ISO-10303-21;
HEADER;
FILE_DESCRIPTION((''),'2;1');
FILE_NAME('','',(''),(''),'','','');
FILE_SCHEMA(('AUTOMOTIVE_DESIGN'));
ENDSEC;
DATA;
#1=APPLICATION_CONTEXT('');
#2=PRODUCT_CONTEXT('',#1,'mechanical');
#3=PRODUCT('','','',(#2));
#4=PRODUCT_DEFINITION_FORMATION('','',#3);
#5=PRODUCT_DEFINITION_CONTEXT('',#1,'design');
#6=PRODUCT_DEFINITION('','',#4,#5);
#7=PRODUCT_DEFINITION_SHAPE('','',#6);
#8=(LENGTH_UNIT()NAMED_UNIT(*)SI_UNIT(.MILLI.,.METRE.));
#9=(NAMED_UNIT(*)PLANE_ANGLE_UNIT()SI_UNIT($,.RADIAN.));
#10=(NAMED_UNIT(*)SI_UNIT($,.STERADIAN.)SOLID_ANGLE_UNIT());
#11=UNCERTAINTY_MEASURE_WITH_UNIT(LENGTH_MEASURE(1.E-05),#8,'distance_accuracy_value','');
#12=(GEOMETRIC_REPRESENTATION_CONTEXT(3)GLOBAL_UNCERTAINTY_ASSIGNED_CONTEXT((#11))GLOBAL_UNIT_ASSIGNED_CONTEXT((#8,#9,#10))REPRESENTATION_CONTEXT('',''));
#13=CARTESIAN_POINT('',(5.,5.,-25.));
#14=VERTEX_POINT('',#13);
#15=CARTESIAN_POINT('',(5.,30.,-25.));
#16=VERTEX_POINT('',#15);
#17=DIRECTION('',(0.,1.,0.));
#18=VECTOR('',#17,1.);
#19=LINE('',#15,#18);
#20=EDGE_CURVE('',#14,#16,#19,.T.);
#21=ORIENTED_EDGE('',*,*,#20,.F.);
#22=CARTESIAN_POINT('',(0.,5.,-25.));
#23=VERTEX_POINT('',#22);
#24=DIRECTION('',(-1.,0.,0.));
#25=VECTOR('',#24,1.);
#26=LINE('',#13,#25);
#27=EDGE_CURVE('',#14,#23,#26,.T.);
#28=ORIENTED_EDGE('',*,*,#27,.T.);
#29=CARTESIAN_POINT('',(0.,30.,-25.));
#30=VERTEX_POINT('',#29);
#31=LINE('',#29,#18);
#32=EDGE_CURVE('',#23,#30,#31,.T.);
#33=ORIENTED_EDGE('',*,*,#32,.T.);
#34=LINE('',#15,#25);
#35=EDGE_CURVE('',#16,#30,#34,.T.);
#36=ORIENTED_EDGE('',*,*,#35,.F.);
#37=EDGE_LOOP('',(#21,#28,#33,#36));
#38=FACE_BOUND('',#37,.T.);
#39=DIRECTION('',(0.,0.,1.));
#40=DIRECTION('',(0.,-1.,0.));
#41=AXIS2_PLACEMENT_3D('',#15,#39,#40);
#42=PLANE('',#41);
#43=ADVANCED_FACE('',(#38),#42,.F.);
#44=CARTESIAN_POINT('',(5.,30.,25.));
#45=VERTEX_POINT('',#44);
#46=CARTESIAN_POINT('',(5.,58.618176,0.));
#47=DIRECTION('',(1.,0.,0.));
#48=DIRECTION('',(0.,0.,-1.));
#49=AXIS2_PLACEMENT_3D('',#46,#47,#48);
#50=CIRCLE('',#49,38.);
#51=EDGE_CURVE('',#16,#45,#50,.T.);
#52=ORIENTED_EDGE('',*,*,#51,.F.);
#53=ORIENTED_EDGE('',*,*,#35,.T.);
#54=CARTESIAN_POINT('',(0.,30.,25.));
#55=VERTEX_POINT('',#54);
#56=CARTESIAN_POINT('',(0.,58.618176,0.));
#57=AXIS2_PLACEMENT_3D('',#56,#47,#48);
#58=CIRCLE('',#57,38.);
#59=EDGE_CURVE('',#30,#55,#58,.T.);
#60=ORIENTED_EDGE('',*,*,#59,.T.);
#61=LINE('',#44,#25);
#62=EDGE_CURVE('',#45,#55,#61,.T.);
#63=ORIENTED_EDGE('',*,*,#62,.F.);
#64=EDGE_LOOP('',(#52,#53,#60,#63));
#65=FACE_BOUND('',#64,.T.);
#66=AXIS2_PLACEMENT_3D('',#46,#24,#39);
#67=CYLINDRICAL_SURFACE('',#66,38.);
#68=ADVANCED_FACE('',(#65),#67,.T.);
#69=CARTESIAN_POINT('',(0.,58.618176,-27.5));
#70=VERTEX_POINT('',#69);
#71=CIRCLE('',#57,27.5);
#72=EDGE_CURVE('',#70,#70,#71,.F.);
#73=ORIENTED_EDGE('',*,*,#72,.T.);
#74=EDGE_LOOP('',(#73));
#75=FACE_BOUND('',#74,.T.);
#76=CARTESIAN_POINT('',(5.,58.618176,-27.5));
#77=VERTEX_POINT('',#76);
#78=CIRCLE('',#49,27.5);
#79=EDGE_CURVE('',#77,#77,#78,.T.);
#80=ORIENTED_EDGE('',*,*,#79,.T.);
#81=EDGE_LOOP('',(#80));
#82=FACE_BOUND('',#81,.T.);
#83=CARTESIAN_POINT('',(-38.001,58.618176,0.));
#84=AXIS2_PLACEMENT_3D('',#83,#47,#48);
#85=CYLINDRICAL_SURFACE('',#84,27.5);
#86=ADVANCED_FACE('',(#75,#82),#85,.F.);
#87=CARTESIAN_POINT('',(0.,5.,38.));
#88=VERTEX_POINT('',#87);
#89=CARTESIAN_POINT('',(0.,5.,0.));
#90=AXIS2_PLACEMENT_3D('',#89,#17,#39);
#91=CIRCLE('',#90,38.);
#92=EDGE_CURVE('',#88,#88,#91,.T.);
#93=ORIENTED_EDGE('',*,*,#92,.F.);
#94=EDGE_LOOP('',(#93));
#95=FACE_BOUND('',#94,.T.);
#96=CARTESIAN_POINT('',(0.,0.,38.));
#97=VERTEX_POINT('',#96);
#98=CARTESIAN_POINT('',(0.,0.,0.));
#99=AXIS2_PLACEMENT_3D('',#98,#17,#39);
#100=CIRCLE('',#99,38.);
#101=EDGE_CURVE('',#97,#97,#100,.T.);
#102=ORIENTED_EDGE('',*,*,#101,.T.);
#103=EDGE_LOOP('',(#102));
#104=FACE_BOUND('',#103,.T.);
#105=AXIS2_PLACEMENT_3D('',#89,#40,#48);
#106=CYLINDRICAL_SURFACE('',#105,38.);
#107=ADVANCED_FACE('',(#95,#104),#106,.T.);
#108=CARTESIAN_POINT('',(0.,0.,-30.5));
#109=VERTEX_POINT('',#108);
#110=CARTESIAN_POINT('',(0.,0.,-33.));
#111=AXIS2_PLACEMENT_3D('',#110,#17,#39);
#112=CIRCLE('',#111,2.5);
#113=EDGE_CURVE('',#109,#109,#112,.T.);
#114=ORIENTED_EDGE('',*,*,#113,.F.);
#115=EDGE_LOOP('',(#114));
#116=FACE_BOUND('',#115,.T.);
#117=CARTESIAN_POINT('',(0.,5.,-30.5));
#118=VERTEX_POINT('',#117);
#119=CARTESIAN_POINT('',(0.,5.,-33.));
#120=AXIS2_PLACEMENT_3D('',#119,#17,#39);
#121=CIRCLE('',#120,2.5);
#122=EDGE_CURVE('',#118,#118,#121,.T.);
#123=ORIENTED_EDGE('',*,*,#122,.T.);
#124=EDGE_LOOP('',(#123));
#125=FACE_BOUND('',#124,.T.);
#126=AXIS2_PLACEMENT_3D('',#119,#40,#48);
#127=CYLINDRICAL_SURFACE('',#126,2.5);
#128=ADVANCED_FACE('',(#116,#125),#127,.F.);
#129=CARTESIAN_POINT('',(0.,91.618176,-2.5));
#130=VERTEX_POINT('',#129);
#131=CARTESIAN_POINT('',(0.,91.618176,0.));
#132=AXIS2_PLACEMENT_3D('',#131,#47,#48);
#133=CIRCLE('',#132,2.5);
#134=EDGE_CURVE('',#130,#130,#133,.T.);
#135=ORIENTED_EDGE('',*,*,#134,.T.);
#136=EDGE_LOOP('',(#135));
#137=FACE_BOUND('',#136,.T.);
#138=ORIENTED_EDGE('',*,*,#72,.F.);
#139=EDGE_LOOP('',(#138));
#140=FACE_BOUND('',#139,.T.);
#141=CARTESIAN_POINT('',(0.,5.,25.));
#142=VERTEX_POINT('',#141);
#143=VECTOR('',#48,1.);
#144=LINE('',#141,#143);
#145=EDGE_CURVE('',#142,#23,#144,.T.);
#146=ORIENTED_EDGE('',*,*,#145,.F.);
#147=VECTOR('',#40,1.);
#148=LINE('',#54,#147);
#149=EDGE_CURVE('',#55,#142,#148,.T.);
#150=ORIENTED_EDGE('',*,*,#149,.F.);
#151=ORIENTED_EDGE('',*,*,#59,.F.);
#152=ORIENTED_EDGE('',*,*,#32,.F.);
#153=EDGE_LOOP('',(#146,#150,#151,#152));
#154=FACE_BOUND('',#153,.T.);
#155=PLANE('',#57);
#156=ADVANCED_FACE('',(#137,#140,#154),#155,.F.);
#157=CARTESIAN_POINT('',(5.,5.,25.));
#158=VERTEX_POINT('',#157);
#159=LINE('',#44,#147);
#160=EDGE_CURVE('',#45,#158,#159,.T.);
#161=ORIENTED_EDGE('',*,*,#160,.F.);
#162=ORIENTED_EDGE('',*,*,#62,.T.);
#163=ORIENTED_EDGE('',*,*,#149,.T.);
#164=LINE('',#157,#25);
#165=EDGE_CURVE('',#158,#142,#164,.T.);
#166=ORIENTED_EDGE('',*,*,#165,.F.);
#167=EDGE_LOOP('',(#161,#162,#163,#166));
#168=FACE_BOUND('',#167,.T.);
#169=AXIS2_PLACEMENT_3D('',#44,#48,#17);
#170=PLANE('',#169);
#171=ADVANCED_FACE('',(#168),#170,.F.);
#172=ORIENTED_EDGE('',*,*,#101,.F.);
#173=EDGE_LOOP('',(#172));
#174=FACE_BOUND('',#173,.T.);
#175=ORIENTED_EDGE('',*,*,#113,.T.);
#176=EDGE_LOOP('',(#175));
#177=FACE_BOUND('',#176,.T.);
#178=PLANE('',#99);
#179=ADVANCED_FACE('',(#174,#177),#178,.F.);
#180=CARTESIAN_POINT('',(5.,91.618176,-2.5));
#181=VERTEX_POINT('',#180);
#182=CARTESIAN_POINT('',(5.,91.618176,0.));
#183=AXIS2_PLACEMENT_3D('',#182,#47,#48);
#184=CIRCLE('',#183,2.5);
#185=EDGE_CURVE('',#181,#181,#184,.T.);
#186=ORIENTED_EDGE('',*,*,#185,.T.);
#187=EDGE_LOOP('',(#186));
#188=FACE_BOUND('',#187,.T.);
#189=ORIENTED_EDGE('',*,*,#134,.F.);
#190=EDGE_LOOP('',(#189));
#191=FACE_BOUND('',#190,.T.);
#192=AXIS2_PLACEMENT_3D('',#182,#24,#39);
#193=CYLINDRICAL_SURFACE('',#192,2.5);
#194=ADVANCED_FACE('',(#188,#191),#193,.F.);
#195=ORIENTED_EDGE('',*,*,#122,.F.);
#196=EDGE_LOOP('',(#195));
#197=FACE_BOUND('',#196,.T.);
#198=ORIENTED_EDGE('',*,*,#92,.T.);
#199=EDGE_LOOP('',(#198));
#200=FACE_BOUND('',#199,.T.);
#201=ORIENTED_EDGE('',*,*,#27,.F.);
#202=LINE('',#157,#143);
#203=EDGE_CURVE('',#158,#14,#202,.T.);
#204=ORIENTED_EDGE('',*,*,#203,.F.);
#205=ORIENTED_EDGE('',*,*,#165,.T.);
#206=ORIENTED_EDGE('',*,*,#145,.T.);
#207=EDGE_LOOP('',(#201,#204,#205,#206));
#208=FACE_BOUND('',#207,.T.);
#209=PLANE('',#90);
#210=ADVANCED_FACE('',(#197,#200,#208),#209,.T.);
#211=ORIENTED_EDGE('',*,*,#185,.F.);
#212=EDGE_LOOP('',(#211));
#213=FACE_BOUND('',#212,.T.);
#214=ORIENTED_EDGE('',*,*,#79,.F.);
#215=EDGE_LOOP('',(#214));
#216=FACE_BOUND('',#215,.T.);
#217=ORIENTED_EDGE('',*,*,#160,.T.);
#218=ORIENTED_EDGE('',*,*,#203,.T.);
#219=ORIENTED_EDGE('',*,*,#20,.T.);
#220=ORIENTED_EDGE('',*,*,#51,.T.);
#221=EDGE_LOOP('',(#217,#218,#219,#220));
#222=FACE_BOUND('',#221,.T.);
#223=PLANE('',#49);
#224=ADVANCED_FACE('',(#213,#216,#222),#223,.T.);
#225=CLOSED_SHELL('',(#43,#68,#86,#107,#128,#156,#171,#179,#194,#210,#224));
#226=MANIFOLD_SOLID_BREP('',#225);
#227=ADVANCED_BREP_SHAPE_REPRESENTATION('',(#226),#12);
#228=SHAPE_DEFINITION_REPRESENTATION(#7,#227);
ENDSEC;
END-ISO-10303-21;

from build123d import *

# Parameters (mm, degrees)
SKETCH_1_R          = 38
SKETCH_1_R_2        = 2.5
EXTRUDE_1_DEPTH     = 5
SKETCH_5_R          = 2.5
EXTRUDE_3_DEPTH     = 5
CUT_EXTRUDE_1_REACH = 114.375
SKETCH_6_R          = 27.5


with BuildPart() as part:
    # 草图1 → 凸台-拉伸1 (new body)
    with BuildSketch(Plane(origin=(0, 0, 0), x_dir=(1, 0, 0), z_dir=(0, 1, 0))):
        with Locations(Location((0, 0, 0), (0, 0, 270))):
            Circle(SKETCH_1_R)
        with Locations(Location((0, 33, 0), (0, 0, 270))):
            Circle(SKETCH_1_R_2, mode=Mode.SUBTRACT)
    extrude(amount=EXTRUDE_1_DEPTH)

    # 草图5 → 凸台-拉伸3 (add)
    with BuildSketch(Plane(origin=(0, 0, 0), x_dir=(0, 0, -1), z_dir=(1, 0, 0))):
        with BuildLine():
            Line((-25, 30), (-25, 5))
            Line((-25, 5), (25, 5))
            Line((25, 5), (25, 30))
            ThreePointArc((25, 30), (0, 96.618176043), (-25, 30))
        make_face()
        with Locations((0, 91.618176043)):
            Circle(SKETCH_5_R, mode=Mode.SUBTRACT)
    extrude(amount=EXTRUDE_3_DEPTH)

    # 草图6 → 切除-拉伸1 (cut, up to next)
    with BuildSketch(Plane(origin=(5, 0, 0), x_dir=(0, 0, -1), z_dir=(1, 0, 0)), mode=Mode.PRIVATE) as cut_extrude_1_sk1:
        with Locations((0, 58.618176043)):
            Circle(SKETCH_6_R)
    cut_extrude_1_tool1 = extrude(cut_extrude_1_sk1.sketch, amount=-CUT_EXTRUDE_1_REACH, mode=Mode.PRIVATE) & part.part
    add(cut_extrude_1_tool1.solids().sort_by_distance((5, 58.618176, 0))[0], mode=Mode.SUBTRACT)


solid = part.part
